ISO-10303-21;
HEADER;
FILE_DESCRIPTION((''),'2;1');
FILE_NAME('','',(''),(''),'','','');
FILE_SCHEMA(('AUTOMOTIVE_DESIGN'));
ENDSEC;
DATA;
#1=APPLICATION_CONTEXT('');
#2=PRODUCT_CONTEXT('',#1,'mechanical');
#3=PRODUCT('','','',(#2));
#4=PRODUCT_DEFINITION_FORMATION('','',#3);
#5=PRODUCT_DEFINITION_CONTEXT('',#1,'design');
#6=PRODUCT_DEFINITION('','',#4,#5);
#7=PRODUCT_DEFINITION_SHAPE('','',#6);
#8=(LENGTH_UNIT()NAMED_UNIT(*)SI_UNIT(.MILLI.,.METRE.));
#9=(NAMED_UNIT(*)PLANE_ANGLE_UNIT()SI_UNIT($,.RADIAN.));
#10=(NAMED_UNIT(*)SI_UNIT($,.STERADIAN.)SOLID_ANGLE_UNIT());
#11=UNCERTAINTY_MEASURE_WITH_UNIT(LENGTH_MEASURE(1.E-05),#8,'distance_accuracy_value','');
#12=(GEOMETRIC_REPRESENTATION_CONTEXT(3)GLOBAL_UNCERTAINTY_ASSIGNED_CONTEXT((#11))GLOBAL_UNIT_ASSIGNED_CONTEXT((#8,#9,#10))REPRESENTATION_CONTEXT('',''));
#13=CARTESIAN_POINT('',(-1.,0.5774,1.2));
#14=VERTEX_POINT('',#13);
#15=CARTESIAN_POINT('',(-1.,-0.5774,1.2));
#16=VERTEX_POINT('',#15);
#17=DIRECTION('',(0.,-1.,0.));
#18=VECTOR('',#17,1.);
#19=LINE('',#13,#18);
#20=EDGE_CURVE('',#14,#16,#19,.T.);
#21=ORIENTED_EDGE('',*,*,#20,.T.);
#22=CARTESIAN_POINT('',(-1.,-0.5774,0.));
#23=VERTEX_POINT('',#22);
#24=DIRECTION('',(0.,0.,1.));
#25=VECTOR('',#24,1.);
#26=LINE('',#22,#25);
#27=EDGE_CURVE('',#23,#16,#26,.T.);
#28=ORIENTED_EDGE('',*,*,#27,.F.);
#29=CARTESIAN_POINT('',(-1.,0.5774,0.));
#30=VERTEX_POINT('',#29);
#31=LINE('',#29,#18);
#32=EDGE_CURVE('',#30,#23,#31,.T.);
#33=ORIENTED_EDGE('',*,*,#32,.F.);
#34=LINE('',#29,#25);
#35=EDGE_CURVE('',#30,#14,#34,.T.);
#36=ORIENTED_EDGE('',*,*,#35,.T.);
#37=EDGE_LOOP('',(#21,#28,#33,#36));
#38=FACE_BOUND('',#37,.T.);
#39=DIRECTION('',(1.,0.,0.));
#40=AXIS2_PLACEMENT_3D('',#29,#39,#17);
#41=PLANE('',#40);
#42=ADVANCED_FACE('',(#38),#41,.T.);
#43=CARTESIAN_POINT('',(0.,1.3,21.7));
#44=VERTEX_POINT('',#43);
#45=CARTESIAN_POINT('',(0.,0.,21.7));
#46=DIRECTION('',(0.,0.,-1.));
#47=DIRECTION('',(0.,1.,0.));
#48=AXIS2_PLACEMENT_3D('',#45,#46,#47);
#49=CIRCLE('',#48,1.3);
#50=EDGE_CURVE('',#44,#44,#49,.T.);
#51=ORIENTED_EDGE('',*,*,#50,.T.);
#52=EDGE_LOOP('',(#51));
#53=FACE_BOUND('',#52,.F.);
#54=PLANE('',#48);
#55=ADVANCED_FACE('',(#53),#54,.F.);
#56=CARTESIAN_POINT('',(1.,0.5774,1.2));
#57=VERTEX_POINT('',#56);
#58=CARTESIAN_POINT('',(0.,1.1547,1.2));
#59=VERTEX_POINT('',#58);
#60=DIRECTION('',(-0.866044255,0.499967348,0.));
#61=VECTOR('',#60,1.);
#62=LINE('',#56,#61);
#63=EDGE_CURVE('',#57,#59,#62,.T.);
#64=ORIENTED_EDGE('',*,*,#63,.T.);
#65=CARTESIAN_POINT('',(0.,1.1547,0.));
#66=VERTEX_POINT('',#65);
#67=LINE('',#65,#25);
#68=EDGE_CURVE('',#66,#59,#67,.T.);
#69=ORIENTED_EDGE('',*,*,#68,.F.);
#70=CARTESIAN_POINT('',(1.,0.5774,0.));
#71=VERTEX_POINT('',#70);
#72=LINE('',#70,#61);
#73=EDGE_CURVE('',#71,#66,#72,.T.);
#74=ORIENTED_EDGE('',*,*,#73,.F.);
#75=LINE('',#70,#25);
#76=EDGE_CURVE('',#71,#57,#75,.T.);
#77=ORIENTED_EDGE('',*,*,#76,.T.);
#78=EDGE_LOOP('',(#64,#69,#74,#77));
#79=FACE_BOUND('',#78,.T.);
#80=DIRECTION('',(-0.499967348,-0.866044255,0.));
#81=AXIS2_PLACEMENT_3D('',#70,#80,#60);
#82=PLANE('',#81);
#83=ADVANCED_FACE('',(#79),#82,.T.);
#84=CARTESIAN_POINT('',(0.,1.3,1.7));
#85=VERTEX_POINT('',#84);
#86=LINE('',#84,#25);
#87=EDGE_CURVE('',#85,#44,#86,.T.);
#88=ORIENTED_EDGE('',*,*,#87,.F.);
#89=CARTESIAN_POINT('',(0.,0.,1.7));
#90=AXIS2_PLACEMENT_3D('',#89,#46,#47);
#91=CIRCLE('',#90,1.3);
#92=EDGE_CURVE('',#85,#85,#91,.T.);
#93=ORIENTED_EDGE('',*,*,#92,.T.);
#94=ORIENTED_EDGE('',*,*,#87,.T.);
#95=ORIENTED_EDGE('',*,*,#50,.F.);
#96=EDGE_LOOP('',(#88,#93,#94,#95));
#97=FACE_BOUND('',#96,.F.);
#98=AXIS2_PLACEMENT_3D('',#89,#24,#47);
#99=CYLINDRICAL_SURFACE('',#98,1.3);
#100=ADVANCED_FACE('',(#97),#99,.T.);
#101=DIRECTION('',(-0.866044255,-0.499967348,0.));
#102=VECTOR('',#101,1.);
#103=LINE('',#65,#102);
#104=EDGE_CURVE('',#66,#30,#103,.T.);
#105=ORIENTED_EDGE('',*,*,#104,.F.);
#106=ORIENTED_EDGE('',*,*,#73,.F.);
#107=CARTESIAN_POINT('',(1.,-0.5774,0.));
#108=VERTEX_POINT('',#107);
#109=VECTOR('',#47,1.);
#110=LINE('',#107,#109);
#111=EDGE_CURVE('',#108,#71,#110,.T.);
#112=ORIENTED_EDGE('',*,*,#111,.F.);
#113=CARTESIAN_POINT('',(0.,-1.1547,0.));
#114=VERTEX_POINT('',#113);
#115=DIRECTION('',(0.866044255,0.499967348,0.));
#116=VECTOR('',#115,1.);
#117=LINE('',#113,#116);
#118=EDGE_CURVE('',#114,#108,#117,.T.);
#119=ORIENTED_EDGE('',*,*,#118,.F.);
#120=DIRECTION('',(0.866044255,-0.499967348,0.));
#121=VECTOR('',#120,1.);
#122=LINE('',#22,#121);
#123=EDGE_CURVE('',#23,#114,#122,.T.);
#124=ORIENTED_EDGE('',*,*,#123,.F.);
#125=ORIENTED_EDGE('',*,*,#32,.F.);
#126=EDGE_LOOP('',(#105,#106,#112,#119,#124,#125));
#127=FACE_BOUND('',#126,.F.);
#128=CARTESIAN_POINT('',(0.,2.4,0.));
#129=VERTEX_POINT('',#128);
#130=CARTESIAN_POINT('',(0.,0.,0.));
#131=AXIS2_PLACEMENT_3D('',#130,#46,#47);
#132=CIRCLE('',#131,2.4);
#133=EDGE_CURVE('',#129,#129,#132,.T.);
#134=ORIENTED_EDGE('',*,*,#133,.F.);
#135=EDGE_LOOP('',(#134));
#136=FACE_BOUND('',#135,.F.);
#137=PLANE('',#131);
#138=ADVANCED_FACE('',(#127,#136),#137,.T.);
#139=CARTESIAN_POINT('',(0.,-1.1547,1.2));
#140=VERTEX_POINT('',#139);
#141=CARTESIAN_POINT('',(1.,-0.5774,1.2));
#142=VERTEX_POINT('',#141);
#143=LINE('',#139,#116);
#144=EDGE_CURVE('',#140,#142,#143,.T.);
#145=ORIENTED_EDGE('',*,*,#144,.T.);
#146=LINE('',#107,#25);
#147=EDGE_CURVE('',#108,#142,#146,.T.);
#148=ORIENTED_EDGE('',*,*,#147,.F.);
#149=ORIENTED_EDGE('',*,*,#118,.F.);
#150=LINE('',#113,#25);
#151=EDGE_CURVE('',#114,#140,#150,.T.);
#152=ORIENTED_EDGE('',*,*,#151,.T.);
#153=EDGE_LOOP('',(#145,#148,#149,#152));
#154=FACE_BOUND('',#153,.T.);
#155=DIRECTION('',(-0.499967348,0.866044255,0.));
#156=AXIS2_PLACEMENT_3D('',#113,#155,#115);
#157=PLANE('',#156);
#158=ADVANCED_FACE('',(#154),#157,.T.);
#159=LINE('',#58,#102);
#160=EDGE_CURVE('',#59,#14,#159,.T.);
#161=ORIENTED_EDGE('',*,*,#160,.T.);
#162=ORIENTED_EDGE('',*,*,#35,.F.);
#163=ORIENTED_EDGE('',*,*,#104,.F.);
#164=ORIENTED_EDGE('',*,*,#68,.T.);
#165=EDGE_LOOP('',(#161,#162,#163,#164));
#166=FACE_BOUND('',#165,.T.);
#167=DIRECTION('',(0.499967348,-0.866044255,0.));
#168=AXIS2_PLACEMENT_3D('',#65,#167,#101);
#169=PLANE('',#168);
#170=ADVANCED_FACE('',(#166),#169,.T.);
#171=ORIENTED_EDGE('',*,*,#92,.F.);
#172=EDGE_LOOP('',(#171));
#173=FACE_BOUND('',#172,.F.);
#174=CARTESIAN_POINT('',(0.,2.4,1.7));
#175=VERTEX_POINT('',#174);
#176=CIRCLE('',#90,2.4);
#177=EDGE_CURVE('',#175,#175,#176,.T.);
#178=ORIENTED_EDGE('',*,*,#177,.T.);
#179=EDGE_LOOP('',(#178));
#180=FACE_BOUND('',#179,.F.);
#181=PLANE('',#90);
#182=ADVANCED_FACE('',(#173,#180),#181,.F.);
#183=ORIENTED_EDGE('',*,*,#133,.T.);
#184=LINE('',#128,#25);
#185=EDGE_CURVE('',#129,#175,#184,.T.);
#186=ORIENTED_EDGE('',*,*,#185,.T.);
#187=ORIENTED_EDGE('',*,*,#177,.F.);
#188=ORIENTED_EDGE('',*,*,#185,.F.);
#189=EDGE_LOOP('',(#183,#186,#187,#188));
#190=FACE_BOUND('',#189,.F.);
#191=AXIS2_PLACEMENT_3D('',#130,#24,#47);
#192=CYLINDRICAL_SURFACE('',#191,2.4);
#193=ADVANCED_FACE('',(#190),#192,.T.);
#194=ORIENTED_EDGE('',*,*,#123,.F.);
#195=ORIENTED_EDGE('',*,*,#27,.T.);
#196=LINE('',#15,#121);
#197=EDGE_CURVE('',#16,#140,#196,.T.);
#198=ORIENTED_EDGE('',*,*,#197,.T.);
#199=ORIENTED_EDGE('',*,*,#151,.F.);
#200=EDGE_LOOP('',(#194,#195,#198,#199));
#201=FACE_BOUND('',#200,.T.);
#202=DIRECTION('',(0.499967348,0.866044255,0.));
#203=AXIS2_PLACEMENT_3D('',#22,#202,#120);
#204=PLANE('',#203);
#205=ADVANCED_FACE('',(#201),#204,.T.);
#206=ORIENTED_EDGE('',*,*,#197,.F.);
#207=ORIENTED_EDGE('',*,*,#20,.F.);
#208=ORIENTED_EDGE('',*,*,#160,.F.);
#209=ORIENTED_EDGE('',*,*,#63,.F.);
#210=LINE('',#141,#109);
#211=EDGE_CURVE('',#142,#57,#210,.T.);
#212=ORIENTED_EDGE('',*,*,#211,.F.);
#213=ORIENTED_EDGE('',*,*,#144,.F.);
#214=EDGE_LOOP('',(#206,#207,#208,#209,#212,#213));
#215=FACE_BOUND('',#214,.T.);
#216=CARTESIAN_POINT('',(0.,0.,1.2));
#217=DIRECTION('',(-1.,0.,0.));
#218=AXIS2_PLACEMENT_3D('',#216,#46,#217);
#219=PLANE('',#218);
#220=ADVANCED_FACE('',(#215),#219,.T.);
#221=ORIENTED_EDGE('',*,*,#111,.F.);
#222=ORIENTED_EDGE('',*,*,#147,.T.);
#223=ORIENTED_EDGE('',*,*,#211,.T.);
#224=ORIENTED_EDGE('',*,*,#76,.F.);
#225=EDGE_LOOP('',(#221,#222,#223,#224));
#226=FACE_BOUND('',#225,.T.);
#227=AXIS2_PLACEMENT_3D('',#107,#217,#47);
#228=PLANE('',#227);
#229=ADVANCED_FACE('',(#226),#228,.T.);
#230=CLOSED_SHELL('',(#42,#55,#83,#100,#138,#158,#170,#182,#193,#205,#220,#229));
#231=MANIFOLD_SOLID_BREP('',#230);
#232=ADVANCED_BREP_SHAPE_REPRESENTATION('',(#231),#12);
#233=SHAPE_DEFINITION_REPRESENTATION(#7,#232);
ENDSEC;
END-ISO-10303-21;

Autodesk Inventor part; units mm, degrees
ref_plane "YZ Plane" through (0, 0, 0) normal (1, 0, 0) x (0, 1, 0)
ref_plane "XZ Plane" through (0, 0, 0) normal (0, 1, 0) x (-1, 0, 0)
ref_plane "XY Plane" through (0, 0, 0) normal (0, 0, 1) x (1, 0, 0)
sketch "スケッチ1" plane through (0, 0, 0) normal (1, 0, 0) x (0, 1, 0)
  line L0 (0, 21.7) -> (0, 0)
  line L1 (0, 0) -> (2.4, 0)
  line L2 (2.4, 0) -> (2.4, 1.7)
  line L3 (2.4, 1.7) -> (1.3, 1.7)
  line L4 (1.3, 1.7) -> (1.3, 21.7)
  line L5 (1.3, 21.7) -> (0, 21.7)
  dimension "d2" = 1.7
  dimension "d10" = 20
  dimension "d11" = 2.6
  dimension "d12" = 4.8
revolve "回転1" add sketch "スケッチ1" angle 360 about axis through (0, 0, 21.7) along (0, 0, -1)
thread "ねじ1" size "M2.6x0.45" class "6g" standard "ANSI Metric M Profile" full length
sketch "スケッチ2" plane through (0, 0, 0) normal (0, 0, -1) x (-1, 0, 0)
  line L0 (0, 1.1547) -> (1, 0.5774)
  line L1 (1, 0.5774) -> (1, -0.5774)
  line L2 (1, -0.5774) -> (0, -1.1547)
  line L3 (0, -1.1547) -> (-1, -0.5774)
  line L4 (-1, -0.5774) -> (-1, 0.5774)
  line L5 (-1, 0.5774) -> (0, 1.1547)
  circle A0 centre (0, 0) radius 2.4 projected
  line L6 (0, 2.4) -> (0, -2.4) construction
  dimension "d7" = 2
extrude "押し出し1" cut sketch "スケッチ2" against normal blind 1.2 contours L0 L1 L2 L3 L4 L5
properties part number "M2_6-20" material "チタン"
